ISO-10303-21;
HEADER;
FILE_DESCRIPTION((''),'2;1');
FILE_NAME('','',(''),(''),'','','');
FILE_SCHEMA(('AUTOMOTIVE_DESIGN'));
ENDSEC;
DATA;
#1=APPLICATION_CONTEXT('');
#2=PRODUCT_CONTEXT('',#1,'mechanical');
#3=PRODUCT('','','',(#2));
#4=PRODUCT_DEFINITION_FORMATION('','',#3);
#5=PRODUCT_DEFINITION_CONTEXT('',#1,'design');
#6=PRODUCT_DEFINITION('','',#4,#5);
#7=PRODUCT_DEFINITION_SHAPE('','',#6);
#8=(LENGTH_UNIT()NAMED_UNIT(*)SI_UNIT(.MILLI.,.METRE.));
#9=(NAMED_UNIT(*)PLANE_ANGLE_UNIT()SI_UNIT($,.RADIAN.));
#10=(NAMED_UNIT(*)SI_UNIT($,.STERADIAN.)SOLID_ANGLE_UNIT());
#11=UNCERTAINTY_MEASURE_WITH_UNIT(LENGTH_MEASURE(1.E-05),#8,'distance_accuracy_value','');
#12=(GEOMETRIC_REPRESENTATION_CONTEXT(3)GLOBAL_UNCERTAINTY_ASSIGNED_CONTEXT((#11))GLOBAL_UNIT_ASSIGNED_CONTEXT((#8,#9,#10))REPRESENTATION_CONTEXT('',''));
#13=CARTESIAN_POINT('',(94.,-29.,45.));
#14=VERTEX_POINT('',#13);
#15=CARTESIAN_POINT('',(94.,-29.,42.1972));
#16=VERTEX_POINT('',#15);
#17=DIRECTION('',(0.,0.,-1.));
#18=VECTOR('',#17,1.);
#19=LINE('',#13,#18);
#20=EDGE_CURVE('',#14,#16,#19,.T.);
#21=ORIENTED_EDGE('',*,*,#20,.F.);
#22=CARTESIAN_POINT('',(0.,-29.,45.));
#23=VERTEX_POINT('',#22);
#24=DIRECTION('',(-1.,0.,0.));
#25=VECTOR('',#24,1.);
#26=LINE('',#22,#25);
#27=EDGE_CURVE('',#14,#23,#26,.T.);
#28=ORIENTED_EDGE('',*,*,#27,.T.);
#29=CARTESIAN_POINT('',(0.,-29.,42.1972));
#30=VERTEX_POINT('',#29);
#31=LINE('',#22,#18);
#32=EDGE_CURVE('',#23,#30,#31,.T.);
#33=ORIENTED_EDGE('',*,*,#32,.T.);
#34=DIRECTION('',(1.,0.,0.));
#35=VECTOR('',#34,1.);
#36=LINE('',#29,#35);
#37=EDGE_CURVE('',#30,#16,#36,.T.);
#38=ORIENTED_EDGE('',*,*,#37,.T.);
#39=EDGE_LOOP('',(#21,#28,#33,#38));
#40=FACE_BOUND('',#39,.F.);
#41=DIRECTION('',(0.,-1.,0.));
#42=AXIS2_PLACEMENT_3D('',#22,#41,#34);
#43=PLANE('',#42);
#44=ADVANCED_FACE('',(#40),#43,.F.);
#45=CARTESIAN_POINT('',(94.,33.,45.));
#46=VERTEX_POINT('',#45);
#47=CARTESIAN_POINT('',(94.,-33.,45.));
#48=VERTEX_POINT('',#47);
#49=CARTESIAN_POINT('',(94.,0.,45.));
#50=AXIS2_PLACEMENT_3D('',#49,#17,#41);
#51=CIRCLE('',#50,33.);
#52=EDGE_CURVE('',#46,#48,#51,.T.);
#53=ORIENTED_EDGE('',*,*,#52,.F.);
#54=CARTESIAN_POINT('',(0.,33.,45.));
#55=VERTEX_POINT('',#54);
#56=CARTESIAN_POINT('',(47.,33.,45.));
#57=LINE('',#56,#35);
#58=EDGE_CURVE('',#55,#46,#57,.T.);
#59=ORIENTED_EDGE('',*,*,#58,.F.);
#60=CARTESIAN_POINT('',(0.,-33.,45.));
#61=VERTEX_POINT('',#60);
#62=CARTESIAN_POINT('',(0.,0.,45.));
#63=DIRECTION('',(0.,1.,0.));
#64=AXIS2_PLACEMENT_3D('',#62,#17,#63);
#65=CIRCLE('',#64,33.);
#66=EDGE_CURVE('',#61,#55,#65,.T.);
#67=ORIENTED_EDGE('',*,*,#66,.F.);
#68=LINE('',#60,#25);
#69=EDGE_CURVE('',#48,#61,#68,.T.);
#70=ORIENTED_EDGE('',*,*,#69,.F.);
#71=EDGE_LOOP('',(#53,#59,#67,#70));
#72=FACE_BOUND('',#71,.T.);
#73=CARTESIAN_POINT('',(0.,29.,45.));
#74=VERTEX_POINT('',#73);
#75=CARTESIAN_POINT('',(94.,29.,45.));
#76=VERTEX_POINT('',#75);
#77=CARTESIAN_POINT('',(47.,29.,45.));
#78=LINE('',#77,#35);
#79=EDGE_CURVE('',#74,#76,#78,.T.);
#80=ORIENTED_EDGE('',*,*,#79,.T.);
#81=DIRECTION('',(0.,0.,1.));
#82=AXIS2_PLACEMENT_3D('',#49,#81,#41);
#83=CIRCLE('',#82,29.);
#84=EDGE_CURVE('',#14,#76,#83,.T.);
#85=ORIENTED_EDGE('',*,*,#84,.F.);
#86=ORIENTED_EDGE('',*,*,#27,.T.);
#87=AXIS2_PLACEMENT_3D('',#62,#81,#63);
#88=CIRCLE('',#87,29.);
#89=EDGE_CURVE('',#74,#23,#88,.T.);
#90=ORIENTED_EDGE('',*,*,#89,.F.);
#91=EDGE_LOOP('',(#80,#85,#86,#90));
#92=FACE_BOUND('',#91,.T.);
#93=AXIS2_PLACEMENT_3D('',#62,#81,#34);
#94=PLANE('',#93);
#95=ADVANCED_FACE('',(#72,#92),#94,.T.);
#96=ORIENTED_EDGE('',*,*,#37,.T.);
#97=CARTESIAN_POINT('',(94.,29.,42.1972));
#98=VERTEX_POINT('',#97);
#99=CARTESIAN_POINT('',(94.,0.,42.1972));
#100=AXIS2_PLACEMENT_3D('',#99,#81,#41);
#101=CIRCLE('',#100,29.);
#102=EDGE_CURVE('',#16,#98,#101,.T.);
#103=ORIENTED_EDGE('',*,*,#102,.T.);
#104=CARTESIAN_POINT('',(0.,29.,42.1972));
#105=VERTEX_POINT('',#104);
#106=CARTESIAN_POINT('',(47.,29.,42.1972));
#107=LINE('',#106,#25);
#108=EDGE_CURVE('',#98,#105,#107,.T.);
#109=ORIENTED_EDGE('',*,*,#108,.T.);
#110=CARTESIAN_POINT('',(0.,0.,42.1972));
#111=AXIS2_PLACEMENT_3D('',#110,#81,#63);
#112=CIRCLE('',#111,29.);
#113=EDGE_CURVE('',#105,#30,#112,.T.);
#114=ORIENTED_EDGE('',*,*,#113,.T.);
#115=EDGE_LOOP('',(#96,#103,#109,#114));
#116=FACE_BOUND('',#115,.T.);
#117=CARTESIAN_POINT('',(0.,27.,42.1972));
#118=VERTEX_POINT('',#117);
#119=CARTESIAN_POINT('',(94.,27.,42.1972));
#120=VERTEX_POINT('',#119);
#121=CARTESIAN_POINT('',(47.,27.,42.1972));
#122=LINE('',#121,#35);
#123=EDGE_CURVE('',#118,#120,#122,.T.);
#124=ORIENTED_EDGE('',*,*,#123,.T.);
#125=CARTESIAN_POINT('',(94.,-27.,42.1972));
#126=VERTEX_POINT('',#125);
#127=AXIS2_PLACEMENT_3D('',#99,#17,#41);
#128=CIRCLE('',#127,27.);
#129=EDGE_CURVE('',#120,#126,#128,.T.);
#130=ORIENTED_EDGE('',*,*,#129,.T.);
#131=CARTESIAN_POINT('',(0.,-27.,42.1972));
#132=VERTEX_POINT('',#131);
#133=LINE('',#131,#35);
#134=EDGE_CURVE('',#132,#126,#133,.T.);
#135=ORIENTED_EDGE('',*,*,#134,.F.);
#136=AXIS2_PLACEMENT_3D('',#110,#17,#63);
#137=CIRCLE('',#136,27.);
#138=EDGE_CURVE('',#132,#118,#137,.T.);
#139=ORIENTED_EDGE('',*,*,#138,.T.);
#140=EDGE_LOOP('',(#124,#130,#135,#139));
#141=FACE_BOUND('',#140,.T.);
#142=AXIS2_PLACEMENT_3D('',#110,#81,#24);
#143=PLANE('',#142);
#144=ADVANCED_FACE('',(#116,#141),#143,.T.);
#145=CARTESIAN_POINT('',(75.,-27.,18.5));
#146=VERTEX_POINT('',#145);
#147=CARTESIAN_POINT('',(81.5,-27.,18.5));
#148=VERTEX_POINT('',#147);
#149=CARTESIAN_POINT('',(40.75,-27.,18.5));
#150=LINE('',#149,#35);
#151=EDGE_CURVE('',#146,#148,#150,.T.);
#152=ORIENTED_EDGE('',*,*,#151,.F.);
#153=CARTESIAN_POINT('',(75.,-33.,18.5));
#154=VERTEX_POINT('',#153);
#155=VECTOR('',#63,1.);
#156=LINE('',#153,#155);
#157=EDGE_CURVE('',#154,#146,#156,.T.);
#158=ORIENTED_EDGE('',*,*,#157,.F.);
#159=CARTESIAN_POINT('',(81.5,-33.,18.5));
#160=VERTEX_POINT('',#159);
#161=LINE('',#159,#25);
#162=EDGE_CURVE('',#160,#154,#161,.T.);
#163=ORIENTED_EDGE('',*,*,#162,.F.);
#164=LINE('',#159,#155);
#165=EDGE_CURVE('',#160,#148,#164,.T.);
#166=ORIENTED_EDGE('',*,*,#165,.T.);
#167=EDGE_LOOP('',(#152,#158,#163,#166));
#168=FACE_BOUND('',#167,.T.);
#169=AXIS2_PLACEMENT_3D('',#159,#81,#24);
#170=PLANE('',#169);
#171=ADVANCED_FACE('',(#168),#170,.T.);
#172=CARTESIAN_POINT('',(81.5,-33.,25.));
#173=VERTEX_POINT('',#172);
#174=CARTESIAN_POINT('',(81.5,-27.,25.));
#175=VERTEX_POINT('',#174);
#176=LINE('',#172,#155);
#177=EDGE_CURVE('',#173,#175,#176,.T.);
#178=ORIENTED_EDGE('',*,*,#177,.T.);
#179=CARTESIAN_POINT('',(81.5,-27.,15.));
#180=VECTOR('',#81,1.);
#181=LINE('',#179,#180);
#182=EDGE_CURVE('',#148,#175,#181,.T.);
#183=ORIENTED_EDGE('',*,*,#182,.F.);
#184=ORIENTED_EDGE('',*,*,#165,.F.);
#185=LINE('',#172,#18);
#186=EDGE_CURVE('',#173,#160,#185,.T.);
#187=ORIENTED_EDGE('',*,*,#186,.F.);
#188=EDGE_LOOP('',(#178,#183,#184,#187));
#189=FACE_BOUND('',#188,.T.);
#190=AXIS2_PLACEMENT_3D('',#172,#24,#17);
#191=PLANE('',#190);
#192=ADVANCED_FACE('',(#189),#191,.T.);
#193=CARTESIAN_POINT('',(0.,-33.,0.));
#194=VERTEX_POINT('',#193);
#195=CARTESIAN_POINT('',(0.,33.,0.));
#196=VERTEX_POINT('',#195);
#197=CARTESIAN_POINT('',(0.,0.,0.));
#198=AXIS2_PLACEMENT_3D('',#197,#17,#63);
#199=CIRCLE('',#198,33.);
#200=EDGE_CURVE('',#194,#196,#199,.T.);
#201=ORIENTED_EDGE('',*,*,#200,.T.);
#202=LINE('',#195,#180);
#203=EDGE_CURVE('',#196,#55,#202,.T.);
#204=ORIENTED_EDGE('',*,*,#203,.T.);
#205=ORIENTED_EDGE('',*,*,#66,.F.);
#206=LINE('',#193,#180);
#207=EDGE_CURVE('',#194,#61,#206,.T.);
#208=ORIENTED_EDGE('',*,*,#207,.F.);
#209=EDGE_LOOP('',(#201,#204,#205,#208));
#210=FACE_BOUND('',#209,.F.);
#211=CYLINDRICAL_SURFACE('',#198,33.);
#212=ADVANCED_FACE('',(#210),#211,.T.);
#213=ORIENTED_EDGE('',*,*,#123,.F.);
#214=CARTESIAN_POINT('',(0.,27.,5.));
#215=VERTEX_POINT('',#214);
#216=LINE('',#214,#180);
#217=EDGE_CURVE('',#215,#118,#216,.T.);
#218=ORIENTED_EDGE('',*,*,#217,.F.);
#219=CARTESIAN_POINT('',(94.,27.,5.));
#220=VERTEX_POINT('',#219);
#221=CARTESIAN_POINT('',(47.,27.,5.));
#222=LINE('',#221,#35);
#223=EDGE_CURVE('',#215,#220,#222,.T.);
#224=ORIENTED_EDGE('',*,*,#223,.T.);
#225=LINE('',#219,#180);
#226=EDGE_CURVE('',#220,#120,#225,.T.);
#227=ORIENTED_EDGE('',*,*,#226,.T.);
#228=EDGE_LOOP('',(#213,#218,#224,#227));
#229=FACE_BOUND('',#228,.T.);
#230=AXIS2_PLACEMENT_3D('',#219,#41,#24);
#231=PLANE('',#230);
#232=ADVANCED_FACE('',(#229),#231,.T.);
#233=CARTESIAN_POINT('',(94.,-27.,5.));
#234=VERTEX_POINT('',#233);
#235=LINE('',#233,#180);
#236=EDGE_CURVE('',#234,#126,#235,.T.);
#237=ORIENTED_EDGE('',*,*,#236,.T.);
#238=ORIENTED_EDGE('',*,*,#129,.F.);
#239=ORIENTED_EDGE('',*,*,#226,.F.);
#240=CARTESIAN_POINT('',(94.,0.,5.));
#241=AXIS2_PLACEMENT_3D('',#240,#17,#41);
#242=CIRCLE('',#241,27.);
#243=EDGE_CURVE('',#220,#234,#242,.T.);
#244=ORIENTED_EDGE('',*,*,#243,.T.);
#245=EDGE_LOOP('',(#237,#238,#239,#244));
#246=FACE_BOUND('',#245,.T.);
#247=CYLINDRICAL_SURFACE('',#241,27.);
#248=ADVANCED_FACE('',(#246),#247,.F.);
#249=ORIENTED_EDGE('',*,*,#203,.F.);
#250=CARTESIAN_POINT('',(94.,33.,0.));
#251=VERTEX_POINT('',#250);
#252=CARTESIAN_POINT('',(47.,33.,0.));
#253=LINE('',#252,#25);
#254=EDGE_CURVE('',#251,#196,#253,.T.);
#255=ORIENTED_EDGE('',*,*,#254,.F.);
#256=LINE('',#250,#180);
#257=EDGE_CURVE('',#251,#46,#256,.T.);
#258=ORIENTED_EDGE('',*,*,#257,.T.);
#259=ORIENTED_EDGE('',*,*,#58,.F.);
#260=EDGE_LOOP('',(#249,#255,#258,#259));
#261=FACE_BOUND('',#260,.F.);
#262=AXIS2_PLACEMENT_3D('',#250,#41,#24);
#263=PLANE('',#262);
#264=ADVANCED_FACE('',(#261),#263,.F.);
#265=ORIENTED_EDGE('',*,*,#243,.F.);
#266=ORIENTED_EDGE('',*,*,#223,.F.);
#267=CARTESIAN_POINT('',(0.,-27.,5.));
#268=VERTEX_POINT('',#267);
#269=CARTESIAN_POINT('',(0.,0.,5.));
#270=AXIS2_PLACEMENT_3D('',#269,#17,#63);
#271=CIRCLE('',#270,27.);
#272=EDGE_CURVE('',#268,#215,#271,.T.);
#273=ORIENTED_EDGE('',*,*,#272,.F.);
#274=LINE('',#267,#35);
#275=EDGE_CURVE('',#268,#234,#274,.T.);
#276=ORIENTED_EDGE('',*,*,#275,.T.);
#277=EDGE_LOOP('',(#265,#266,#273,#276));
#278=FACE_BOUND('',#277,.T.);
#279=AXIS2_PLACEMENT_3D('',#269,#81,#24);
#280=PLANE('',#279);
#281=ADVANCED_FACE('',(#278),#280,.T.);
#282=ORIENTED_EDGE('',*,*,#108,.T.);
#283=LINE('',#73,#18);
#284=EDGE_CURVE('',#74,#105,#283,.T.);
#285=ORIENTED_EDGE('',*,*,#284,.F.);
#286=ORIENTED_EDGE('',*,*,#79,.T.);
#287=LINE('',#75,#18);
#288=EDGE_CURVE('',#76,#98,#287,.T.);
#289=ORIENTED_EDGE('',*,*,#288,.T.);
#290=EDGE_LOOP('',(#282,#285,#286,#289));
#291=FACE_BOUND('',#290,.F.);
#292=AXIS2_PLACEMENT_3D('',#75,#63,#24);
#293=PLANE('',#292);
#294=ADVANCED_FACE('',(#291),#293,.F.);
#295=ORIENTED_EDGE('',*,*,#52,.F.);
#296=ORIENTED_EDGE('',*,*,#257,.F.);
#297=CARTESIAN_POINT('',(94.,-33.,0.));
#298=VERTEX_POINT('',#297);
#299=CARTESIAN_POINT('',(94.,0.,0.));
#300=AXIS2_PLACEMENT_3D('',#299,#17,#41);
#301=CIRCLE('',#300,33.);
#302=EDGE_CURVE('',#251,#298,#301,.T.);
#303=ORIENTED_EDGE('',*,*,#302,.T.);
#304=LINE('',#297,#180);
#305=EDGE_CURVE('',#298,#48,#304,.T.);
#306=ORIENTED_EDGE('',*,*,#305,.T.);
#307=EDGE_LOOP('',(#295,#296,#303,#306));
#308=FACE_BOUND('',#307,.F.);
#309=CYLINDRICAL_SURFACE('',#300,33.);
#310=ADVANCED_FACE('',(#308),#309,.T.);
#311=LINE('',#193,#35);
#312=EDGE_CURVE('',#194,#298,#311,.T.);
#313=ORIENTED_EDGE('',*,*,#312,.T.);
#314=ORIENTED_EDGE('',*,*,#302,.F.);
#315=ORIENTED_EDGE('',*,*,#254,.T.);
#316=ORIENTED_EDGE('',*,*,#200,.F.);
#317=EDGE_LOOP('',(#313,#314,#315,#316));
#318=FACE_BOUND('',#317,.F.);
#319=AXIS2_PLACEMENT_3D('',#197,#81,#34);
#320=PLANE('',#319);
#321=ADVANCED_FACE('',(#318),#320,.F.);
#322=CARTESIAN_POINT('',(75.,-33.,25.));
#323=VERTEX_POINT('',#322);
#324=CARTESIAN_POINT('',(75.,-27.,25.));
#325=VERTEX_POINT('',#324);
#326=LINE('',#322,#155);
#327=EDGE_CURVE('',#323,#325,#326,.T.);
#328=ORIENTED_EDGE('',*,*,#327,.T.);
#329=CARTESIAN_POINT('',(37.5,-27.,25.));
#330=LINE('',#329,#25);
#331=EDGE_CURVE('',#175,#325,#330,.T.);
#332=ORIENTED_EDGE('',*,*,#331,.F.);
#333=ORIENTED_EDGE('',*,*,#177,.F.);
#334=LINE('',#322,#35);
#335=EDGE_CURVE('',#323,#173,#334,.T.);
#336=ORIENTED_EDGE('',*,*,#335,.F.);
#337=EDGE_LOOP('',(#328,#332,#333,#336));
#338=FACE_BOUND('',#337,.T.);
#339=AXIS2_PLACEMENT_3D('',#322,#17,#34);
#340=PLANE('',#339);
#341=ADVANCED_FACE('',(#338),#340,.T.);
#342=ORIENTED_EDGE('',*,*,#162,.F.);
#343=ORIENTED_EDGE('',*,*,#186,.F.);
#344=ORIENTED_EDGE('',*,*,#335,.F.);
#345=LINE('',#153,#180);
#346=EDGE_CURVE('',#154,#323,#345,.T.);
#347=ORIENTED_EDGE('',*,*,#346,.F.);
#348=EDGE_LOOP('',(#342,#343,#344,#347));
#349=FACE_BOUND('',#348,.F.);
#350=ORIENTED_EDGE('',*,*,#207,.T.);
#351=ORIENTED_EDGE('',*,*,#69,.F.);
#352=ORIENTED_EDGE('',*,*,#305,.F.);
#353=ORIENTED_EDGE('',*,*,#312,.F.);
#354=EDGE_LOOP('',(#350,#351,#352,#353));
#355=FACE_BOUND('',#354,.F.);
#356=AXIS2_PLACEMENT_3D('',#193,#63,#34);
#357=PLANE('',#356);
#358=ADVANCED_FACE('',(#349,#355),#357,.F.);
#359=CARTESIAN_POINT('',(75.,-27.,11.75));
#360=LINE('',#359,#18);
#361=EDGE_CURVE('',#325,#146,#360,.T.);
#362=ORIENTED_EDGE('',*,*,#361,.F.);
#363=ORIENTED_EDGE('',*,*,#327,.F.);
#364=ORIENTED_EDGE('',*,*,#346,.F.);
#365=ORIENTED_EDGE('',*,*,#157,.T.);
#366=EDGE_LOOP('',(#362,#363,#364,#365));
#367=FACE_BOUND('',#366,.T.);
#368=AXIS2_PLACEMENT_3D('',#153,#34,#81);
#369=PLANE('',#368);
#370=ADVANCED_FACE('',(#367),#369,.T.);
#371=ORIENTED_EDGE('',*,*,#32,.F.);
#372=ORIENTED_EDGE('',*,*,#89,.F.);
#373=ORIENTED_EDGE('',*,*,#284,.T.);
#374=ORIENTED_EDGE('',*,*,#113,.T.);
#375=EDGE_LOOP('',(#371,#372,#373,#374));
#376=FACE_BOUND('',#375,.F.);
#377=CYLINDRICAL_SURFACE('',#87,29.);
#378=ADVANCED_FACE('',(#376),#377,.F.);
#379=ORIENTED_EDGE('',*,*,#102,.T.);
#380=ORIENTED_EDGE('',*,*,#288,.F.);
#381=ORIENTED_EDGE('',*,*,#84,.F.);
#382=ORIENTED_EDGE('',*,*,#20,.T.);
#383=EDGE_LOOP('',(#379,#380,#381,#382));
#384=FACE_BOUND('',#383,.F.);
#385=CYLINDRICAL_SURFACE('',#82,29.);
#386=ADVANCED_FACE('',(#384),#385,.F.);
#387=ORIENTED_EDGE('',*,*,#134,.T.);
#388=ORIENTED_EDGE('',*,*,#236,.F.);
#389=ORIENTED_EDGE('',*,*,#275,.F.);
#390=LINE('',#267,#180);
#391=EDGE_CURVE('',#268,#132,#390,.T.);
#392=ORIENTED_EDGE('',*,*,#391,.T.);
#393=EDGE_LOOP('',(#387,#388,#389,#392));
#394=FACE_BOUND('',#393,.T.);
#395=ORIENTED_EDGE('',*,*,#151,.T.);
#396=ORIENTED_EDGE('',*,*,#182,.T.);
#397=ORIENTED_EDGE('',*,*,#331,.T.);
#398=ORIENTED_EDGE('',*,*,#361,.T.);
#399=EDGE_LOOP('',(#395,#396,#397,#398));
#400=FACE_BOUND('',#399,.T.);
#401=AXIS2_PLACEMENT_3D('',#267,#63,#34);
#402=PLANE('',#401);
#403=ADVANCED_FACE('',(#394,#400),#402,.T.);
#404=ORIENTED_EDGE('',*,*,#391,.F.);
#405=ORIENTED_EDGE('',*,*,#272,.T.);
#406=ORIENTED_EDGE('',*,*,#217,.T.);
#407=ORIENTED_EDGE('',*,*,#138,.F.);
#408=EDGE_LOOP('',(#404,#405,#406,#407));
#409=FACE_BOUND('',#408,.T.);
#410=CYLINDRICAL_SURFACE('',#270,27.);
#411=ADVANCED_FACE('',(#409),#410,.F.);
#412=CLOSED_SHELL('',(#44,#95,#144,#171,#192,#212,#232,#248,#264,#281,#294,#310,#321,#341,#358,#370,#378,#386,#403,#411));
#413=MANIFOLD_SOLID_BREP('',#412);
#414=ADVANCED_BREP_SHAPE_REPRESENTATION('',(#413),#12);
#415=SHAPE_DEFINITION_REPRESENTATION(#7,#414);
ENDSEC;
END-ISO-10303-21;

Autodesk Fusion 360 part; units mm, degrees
sketch "Sketch1" plane through (0, 0, 0) normal (0, 0, 1) x (1, 0, 0)
  line L0 (0, -33) -> (94, -33)
  arc A0 (94, -33) -> (94, 33) centre (94, 0) ccw
  line L1 (94, 33) -> (0, 33)
  arc A1 (0, 33) -> (0, -33) centre (0, 0) ccw
  line L2 (0, 0) -> (94, 0) construction
  point P0 (-33, 0)
  point P1 (127, 0)
  dimension "d1" = 94
  dimension "d2" = 66
  dimension "d3" = 33
  dimension "d4" = 160
extrude "Extrude1" add sketch "Sketch1" along normal blind 40
move_face "OffsetFaces1" offset 5 1 faces at (62.6667, -11, 40)
sketch "Sketch2" plane through (0, 0, 45) normal (0, 0, 1) x (-1, 0, 0)
  arc A0 (0, -33) -> (0, 33) centre (0, 0) ccw
  line L0 (0, 33) -> (-94, 33)
  arc A1 (-94, 33) -> (-94, -33) centre (-94, 0) ccw
  line L1 (-94, -33) -> (0, -33)
  line L2 (0, 29) -> (-94, 29)
  arc A2 (-94, 29) -> (-94, -29) centre (-94, 0) ccw
  line L3 (-94, -29) -> (0, -29)
  arc A3 (0, -29) -> (0, 29) centre (0, 0) ccw
  dimension "d8" = -4
extrude "Extrude2" cut sketch "Sketch2" against normal blind 40 contours L2 A2 L3 A3
sketch "Sketch3" plane through (0, 0, 5) normal (0, 0, 1) x (-1, 0, 0)
  arc A0 (0, -29) -> (0, 29) centre (0, 0) ccw
  line L0 (0, 29) -> (-94, 29)
  arc A1 (-94, 29) -> (-94, -29) centre (-94, 0) ccw
  line L1 (-94, -29) -> (0, -29)
  line L2 (0, 27) -> (-94, 27)
  arc A2 (-94, 27) -> (-94, -27) centre (-94, 0) ccw
  line L3 (-94, -27) -> (0, -27)
  arc A3 (0, -27) -> (0, 27) centre (0, 0) ccw
  dimension "d11" = -2
sketch "Sketch4" plane through (0, 0, 5) normal (0, 0, 1) x (-1, 0, 0)
  arc A0 (0, -29) -> (0, 29) centre (0, 0) ccw
  line L0 (0, 29) -> (-94, 29)
  arc A1 (-94, 29) -> (-94, -29) centre (-94, 0) ccw
  line L1 (-94, -29) -> (0, -29)
extrude "Extrude3" add sketch "Sketch3" along normal blind 2
move_face "MoveFace1" by (0, 0, 30) 1 faces at (31.3333, 28.3333, 7)
move_face "MoveFace2" by (0, 0, 7.8672) 1 faces at (31.3333, 28.3333, 37)
move_face "MoveFace3" by (0, 0, 0.08) 1 faces at (31.3333, 28.3333, 44.8672)
move_face "MoveFace4" by (0, 0, 0.05) 1 faces at (31.3333, 28.3333, 44.9472)
move_face "MoveFace5" by (0, -5, -2.8) 1 faces at (31.3333, 28.3333, 44.9972)
sketch "Sketch5" plane through (0, 0, 0) normal (0, 0, 1) x (1, 0, 0)
sketch "Sketch6" plane through (0, 0, 0) normal (0, 0, 1) x (1, 0, 0)
  line L0 (-20, 10) -> (35, 10)
  line L1 (35, 10) -> (35, -20)
  line L2 (35, -20) -> (-20, -20)
  line L3 (-20, -20) -> (-20, 10)
sketch "Sketch8" plane through (0, 0, 0) normal (0, 0, -1) x (1, 0, 0)
  arc A0 (0, 33) -> (0, -33) centre (0, 0) ccw
  line L0 (0, -33) -> (94, -33)
  arc A1 (94, -33) -> (94, 33) centre (94, 0) ccw
  line L1 (94, 33) -> (0, 33)
sketch "Sketch9" plane through (0, -33, 0) normal (0, -1, 0) x (1, 0, 0)
  line L0 (0, 0) -> (94, 0)
  line L1 (94, 0) -> (94, 45)
  line L2 (94, 45) -> (0, 45)
  line L3 (0, 45) -> (0, 0)
  line L4 (75, 25) -> (81.5, 25)
  line L5 (81.5, 25) -> (81.5, 18.5)
  line L6 (81.5, 18.5) -> (75, 18.5)
  line L7 (75, 18.5) -> (75, 25)
  dimension "d22" = 6.5
  dimension "d23" = 6.5
extrude "Extrude7" cut sketch "Sketch9" against normal blind 15 contours L4 L5 L6 L7
